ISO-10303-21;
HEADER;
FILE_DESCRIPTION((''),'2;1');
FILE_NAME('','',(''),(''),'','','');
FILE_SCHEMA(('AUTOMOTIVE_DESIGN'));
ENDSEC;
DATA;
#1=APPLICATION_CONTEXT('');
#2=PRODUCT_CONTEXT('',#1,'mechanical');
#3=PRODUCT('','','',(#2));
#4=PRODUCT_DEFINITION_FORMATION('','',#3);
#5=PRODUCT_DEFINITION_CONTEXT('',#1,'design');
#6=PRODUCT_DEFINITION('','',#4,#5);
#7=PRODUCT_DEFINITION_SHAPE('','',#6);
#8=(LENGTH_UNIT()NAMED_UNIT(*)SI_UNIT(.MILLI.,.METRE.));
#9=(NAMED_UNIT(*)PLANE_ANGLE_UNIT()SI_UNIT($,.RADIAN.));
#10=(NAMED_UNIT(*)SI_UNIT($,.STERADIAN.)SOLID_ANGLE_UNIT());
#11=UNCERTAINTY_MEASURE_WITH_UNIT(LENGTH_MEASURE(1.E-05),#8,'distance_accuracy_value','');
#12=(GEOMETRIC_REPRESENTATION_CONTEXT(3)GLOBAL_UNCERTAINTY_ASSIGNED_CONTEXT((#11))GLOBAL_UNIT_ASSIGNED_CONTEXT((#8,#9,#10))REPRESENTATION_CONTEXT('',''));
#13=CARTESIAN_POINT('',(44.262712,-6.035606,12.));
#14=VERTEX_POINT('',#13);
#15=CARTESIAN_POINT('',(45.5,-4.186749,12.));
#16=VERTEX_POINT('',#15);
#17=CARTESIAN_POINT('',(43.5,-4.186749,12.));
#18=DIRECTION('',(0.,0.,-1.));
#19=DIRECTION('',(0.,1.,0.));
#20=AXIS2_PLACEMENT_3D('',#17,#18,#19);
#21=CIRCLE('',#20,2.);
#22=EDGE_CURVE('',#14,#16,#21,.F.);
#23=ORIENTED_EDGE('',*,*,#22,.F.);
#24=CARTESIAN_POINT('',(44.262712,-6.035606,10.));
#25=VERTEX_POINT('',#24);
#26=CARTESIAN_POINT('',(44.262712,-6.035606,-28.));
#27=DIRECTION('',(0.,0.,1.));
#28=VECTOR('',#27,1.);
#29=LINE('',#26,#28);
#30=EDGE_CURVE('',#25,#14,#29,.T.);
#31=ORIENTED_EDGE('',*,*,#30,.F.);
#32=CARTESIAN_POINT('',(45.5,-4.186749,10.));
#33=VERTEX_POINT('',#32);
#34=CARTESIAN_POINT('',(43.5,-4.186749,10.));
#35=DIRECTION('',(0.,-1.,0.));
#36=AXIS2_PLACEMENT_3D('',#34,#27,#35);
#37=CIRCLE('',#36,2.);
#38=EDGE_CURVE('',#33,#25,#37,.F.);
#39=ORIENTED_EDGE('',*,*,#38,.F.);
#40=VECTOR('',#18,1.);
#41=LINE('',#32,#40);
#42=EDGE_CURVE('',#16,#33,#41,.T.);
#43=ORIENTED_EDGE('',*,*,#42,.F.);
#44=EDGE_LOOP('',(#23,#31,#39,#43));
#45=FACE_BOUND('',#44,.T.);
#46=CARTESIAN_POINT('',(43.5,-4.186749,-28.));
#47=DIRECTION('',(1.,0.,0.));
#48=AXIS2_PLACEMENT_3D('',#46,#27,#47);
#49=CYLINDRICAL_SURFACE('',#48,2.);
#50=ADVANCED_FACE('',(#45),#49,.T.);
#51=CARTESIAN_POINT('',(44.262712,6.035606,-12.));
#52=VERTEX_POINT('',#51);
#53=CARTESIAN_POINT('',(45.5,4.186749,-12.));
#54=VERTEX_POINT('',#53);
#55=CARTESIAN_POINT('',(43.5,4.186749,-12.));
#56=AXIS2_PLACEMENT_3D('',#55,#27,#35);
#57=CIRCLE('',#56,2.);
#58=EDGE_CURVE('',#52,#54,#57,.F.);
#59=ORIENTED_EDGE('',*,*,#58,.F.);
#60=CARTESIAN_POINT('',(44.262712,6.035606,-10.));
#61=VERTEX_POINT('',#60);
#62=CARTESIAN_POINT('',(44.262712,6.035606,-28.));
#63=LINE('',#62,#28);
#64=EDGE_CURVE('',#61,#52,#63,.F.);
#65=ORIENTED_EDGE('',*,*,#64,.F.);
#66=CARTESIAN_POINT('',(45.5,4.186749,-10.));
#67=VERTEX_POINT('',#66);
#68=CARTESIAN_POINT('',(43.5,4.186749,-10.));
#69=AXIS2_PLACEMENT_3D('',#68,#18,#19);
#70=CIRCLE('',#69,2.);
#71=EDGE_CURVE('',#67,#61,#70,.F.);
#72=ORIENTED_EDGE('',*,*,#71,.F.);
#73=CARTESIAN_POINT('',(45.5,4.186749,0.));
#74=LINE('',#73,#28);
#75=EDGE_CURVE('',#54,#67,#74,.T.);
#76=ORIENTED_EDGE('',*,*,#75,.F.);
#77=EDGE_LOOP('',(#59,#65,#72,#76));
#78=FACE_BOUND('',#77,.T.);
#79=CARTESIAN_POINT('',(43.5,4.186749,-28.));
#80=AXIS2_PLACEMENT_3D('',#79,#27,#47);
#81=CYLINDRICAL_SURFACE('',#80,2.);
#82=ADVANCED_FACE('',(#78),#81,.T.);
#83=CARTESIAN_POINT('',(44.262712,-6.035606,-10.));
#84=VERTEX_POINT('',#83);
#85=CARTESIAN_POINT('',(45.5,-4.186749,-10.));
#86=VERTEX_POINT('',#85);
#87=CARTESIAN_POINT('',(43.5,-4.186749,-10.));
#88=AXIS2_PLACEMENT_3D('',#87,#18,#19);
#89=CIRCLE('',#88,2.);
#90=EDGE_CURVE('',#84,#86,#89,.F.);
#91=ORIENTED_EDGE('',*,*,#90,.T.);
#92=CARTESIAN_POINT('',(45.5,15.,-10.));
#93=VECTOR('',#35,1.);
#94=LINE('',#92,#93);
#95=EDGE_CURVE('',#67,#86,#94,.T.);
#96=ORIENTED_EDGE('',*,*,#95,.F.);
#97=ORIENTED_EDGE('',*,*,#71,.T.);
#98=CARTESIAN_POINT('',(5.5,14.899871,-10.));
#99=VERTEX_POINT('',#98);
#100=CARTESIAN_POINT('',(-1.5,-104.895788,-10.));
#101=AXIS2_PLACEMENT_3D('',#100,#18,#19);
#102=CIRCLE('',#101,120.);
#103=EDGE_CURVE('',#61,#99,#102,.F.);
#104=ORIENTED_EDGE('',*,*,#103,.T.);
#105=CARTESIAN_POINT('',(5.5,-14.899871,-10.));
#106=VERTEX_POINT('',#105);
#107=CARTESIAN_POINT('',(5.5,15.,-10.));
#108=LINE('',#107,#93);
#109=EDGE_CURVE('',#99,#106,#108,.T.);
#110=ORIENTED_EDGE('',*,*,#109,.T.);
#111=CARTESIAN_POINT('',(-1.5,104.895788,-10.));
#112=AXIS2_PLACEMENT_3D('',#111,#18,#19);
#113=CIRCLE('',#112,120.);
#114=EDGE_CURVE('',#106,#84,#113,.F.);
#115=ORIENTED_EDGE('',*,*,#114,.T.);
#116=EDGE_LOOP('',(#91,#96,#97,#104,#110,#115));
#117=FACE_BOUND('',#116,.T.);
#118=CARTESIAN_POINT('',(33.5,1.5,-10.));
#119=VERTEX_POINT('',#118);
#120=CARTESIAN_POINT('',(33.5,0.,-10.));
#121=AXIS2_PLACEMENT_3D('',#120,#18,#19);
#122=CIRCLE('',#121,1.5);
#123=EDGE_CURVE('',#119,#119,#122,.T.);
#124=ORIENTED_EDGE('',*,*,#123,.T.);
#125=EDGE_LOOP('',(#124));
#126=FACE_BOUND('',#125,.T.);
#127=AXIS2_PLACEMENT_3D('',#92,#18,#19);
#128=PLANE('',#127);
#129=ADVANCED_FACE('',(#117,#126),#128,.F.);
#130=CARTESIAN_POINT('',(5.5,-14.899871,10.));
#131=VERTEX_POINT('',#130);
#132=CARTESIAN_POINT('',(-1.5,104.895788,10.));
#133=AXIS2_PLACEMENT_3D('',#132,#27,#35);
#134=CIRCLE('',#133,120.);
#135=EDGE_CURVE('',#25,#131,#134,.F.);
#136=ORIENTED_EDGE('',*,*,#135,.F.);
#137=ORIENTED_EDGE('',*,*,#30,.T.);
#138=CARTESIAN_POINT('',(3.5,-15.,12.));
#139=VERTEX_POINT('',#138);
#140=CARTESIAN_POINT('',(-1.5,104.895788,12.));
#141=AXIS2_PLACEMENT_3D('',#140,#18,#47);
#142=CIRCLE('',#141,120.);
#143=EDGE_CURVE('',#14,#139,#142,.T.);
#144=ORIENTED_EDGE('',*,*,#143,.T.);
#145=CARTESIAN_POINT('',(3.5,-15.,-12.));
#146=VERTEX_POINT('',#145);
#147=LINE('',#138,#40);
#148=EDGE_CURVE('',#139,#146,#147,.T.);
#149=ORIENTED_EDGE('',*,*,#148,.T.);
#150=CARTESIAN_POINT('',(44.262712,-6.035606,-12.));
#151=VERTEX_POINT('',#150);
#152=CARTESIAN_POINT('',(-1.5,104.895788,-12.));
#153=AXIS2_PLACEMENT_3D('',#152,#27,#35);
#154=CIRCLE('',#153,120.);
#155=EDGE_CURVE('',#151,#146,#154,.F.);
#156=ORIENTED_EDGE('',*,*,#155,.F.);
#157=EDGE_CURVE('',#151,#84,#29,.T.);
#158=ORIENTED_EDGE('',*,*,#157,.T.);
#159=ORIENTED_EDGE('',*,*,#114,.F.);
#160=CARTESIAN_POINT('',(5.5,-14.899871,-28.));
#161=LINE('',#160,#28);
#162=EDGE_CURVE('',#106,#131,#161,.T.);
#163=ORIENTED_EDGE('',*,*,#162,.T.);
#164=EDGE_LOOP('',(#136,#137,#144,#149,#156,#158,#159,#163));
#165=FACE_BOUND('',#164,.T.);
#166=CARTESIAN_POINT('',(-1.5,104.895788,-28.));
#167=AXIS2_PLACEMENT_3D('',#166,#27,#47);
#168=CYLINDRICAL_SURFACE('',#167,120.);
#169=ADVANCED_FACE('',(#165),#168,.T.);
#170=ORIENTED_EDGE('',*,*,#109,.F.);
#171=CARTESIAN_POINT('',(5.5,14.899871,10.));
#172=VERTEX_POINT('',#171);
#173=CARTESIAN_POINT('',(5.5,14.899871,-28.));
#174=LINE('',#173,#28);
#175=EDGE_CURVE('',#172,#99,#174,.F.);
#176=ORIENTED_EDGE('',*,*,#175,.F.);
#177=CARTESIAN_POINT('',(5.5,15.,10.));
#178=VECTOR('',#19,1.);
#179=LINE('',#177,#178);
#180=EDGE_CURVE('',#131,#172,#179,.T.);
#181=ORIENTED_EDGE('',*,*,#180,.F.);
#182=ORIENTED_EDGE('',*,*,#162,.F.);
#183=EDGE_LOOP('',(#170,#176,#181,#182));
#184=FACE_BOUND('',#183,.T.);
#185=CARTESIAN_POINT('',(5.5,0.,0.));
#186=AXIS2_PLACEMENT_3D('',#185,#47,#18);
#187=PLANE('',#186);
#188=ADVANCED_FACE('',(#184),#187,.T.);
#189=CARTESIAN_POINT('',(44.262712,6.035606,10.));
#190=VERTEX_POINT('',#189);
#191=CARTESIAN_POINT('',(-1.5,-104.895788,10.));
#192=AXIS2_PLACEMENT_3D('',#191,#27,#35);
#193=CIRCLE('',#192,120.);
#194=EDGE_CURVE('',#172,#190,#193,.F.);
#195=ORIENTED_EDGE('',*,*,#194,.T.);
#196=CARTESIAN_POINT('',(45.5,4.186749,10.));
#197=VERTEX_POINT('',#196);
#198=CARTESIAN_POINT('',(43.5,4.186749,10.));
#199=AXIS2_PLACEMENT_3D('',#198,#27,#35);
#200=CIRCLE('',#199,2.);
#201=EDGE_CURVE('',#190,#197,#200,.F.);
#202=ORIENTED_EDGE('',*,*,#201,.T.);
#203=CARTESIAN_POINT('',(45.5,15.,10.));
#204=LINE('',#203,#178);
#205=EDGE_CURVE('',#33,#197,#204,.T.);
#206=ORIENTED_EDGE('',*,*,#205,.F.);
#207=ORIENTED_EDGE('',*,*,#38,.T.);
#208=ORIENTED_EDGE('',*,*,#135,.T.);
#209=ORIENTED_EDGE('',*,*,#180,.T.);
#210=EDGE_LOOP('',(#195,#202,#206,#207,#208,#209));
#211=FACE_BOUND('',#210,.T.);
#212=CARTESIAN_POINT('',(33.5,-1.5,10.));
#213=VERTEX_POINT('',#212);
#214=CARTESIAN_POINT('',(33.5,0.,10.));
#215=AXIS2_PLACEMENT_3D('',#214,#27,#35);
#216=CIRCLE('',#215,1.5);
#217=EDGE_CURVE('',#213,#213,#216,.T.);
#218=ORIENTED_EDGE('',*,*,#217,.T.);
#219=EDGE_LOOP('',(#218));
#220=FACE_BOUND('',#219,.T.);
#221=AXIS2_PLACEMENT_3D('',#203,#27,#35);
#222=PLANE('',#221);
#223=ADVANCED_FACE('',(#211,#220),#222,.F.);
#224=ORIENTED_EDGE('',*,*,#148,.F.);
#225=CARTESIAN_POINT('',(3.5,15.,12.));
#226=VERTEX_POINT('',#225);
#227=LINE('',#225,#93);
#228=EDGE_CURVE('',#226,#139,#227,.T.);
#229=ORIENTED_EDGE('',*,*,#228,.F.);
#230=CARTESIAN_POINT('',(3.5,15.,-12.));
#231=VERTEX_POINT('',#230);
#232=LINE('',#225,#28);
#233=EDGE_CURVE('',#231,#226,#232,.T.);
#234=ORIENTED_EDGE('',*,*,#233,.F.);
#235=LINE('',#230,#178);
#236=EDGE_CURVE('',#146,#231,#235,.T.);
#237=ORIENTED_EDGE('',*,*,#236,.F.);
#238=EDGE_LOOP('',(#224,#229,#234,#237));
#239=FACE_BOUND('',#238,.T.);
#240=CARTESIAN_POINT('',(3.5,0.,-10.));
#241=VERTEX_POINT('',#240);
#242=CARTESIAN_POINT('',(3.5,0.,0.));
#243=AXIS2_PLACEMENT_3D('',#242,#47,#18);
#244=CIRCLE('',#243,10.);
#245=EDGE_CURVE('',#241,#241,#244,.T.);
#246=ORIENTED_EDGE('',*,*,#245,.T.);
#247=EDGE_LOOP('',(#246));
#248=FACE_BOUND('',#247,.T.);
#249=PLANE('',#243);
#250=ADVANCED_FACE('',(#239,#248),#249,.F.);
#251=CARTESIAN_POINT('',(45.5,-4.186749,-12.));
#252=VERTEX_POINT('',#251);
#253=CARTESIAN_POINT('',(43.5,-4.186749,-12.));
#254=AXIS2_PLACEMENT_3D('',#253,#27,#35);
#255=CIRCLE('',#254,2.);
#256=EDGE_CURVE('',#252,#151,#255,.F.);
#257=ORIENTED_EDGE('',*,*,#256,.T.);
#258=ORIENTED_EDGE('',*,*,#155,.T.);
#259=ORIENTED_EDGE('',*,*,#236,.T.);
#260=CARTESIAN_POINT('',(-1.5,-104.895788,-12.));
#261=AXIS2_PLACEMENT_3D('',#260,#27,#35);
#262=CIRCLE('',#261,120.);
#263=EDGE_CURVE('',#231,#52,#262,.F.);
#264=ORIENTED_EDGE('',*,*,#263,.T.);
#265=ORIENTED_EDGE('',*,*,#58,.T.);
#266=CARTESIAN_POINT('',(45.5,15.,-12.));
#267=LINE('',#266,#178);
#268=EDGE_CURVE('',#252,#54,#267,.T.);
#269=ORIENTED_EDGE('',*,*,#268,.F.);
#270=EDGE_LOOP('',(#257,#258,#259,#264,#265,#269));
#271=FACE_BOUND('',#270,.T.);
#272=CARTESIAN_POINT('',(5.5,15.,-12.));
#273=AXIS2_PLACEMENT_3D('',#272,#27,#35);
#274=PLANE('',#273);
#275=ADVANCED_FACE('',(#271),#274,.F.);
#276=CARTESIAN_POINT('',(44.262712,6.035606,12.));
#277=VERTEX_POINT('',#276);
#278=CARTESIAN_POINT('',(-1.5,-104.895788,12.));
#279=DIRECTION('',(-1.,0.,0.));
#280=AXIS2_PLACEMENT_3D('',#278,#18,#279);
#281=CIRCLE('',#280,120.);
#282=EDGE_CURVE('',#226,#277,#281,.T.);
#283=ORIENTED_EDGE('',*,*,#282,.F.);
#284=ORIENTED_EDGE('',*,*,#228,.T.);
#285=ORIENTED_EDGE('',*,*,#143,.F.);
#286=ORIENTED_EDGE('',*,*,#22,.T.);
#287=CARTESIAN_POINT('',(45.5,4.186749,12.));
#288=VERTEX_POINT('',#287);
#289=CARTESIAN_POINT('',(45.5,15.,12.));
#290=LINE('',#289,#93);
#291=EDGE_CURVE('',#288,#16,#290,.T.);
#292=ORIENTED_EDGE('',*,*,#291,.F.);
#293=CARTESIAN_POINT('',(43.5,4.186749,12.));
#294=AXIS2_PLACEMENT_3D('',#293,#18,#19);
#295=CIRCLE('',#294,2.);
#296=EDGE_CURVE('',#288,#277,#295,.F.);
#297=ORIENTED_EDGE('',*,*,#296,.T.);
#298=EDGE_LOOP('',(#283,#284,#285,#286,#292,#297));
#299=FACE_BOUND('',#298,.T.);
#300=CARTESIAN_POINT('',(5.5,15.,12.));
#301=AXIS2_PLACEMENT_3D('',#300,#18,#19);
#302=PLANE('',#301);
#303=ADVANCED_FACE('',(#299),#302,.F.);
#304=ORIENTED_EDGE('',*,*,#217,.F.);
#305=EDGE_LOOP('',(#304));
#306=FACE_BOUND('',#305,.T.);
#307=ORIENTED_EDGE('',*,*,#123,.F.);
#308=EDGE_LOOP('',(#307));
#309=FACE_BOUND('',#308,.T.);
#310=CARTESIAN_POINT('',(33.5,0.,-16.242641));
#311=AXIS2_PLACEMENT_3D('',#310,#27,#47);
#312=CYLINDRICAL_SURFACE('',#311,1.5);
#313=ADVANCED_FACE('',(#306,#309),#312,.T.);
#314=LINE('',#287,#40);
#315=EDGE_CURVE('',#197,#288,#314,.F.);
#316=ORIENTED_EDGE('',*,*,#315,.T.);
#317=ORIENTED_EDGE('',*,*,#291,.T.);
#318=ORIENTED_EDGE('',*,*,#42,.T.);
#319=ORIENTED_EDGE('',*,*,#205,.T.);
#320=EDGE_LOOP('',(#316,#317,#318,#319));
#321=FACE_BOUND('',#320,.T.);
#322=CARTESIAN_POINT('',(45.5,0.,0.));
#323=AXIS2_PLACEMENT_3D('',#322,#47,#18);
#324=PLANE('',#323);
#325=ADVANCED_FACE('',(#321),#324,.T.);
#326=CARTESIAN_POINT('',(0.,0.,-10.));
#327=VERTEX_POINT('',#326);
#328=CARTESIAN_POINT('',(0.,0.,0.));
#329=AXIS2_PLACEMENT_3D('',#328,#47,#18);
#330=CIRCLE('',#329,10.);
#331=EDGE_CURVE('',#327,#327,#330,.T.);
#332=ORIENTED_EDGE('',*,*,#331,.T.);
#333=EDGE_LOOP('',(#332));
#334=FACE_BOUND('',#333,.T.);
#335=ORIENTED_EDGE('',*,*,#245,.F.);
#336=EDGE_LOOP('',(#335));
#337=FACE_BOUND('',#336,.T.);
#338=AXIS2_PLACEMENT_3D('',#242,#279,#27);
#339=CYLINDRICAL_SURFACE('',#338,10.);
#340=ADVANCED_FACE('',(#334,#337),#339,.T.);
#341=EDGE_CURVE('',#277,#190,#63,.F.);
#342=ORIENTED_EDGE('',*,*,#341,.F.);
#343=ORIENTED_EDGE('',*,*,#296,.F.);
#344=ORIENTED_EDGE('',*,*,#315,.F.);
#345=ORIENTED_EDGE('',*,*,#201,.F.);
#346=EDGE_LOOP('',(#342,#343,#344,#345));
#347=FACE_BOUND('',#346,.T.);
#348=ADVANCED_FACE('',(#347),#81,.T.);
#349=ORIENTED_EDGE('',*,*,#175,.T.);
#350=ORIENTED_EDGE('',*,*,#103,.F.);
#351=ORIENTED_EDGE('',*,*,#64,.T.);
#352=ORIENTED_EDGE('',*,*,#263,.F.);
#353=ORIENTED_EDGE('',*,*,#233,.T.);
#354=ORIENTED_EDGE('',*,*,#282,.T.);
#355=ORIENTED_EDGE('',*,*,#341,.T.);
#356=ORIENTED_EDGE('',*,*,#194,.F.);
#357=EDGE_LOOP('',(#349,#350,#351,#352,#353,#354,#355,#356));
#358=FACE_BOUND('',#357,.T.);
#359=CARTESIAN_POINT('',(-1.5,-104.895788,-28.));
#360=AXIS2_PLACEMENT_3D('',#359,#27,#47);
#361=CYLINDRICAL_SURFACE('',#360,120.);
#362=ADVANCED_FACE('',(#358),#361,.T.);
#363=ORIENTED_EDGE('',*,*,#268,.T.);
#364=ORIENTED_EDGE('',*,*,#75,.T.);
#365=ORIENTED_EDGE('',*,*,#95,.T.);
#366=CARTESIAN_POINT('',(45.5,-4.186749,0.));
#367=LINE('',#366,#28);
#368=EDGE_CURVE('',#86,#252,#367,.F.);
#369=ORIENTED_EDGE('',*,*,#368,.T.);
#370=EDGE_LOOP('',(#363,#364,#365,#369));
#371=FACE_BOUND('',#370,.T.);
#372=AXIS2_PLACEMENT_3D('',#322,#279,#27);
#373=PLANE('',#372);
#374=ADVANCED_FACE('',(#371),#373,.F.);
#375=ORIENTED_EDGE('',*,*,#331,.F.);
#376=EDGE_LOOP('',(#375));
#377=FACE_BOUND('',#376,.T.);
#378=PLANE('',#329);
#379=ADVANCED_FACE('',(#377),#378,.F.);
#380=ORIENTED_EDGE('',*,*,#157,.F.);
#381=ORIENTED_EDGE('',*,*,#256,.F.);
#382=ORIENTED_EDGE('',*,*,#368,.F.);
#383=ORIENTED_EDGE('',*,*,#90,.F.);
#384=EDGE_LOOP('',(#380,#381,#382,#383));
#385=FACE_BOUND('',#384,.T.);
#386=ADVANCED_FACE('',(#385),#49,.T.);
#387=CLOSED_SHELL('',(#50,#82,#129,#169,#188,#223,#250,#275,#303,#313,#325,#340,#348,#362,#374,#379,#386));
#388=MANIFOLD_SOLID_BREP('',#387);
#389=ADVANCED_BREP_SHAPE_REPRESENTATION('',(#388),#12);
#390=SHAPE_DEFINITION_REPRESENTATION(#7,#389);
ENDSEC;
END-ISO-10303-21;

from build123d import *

# Parameters (mm, degrees)
SKETCH_1_R          = 10
EXTRUDE_1_DEPTH     = 3.5
SKETCH_2_W          = 24
SKETCH_2_H          = 30
EXTRUDE_2_DEPTH     = 2
SKETCH_3_W          = 2
SKETCH_3_H          = 30
EXTRUDE_3_DEPTH     = 40
CUT_EXTRUDE_1_DEPTH = 40
FILLET_1_R          = 2
SKETCH_5_R          = 1.5
EXTRUDE_4_DEPTH     = 24


with BuildPart() as part:
    # 草图1 → 凸台-拉伸1 (new body)
    with BuildSketch(Plane(origin=(0, 0, 0), x_dir=(0, 0, -1), z_dir=(1, 0, 0))):
        Circle(SKETCH_1_R)
    extrude(amount=EXTRUDE_1_DEPTH)

    # 草图2 → 凸台-拉伸2 (add)
    with BuildSketch(Plane(origin=(3.5, 0, 0), x_dir=(0, 0, -1), z_dir=(1, 0, 0))):
        Rectangle(SKETCH_2_W, SKETCH_2_H)
    extrude(amount=EXTRUDE_2_DEPTH)

    # 草图3 → 凸台-拉伸3 (add)
    with BuildSketch(Plane(origin=(5.5, 0, 0), x_dir=(0, 0, -1), z_dir=(1, 0, 0))):
        with Locations((11, 0)):
            Rectangle(SKETCH_3_W, SKETCH_3_H)
        with Locations((-11, 0)):
            Rectangle(SKETCH_3_W, SKETCH_3_H)
    extrude(amount=EXTRUDE_3_DEPTH)

    # 草图4 → 切除-拉伸1 (cut)
    with BuildSketch(Plane.XY.offset(12)):
        with BuildLine():
            Line((45.5, 5.517073487), (45.5, 15))
            Line((45.5, 15), (3.5, 15))
            ThreePointArc((3.5, 15), (24.928800083, 12.157697667), (45.5, 5.517073487))
        make_face()
        with BuildLine():
            Line((3.5, -15), (45.5, -15))
            Line((45.5, -15), (45.5, -5.517073487))
            ThreePointArc((45.5, -5.517073487), (24.928800083, -12.157697667), (3.5, -15))
        make_face()
    extrude(amount=-CUT_EXTRUDE_1_DEPTH, mode=Mode.SUBTRACT)

    # 圆角1
    fillet_1_edges = [part.edges().sort_by_distance(p)[0] for p in [
        (45.5, -5.517073487, 11),
        (45.5, 5.517073487, 11),
        (45.5, 5.517073487, -11),
        (45.5, -5.517073487, -11),
    ]]
    fillet(fillet_1_edges, radius=FILLET_1_R)

    # 草图5 → 凸台-拉伸4 (add)
    with BuildSketch(Plane.XY.offset(12)):
        with Locations(Location((33.5, 0, 0), (0, 0, 270))):
            Circle(SKETCH_5_R)
    extrude(amount=-EXTRUDE_4_DEPTH)


solid = part.part
